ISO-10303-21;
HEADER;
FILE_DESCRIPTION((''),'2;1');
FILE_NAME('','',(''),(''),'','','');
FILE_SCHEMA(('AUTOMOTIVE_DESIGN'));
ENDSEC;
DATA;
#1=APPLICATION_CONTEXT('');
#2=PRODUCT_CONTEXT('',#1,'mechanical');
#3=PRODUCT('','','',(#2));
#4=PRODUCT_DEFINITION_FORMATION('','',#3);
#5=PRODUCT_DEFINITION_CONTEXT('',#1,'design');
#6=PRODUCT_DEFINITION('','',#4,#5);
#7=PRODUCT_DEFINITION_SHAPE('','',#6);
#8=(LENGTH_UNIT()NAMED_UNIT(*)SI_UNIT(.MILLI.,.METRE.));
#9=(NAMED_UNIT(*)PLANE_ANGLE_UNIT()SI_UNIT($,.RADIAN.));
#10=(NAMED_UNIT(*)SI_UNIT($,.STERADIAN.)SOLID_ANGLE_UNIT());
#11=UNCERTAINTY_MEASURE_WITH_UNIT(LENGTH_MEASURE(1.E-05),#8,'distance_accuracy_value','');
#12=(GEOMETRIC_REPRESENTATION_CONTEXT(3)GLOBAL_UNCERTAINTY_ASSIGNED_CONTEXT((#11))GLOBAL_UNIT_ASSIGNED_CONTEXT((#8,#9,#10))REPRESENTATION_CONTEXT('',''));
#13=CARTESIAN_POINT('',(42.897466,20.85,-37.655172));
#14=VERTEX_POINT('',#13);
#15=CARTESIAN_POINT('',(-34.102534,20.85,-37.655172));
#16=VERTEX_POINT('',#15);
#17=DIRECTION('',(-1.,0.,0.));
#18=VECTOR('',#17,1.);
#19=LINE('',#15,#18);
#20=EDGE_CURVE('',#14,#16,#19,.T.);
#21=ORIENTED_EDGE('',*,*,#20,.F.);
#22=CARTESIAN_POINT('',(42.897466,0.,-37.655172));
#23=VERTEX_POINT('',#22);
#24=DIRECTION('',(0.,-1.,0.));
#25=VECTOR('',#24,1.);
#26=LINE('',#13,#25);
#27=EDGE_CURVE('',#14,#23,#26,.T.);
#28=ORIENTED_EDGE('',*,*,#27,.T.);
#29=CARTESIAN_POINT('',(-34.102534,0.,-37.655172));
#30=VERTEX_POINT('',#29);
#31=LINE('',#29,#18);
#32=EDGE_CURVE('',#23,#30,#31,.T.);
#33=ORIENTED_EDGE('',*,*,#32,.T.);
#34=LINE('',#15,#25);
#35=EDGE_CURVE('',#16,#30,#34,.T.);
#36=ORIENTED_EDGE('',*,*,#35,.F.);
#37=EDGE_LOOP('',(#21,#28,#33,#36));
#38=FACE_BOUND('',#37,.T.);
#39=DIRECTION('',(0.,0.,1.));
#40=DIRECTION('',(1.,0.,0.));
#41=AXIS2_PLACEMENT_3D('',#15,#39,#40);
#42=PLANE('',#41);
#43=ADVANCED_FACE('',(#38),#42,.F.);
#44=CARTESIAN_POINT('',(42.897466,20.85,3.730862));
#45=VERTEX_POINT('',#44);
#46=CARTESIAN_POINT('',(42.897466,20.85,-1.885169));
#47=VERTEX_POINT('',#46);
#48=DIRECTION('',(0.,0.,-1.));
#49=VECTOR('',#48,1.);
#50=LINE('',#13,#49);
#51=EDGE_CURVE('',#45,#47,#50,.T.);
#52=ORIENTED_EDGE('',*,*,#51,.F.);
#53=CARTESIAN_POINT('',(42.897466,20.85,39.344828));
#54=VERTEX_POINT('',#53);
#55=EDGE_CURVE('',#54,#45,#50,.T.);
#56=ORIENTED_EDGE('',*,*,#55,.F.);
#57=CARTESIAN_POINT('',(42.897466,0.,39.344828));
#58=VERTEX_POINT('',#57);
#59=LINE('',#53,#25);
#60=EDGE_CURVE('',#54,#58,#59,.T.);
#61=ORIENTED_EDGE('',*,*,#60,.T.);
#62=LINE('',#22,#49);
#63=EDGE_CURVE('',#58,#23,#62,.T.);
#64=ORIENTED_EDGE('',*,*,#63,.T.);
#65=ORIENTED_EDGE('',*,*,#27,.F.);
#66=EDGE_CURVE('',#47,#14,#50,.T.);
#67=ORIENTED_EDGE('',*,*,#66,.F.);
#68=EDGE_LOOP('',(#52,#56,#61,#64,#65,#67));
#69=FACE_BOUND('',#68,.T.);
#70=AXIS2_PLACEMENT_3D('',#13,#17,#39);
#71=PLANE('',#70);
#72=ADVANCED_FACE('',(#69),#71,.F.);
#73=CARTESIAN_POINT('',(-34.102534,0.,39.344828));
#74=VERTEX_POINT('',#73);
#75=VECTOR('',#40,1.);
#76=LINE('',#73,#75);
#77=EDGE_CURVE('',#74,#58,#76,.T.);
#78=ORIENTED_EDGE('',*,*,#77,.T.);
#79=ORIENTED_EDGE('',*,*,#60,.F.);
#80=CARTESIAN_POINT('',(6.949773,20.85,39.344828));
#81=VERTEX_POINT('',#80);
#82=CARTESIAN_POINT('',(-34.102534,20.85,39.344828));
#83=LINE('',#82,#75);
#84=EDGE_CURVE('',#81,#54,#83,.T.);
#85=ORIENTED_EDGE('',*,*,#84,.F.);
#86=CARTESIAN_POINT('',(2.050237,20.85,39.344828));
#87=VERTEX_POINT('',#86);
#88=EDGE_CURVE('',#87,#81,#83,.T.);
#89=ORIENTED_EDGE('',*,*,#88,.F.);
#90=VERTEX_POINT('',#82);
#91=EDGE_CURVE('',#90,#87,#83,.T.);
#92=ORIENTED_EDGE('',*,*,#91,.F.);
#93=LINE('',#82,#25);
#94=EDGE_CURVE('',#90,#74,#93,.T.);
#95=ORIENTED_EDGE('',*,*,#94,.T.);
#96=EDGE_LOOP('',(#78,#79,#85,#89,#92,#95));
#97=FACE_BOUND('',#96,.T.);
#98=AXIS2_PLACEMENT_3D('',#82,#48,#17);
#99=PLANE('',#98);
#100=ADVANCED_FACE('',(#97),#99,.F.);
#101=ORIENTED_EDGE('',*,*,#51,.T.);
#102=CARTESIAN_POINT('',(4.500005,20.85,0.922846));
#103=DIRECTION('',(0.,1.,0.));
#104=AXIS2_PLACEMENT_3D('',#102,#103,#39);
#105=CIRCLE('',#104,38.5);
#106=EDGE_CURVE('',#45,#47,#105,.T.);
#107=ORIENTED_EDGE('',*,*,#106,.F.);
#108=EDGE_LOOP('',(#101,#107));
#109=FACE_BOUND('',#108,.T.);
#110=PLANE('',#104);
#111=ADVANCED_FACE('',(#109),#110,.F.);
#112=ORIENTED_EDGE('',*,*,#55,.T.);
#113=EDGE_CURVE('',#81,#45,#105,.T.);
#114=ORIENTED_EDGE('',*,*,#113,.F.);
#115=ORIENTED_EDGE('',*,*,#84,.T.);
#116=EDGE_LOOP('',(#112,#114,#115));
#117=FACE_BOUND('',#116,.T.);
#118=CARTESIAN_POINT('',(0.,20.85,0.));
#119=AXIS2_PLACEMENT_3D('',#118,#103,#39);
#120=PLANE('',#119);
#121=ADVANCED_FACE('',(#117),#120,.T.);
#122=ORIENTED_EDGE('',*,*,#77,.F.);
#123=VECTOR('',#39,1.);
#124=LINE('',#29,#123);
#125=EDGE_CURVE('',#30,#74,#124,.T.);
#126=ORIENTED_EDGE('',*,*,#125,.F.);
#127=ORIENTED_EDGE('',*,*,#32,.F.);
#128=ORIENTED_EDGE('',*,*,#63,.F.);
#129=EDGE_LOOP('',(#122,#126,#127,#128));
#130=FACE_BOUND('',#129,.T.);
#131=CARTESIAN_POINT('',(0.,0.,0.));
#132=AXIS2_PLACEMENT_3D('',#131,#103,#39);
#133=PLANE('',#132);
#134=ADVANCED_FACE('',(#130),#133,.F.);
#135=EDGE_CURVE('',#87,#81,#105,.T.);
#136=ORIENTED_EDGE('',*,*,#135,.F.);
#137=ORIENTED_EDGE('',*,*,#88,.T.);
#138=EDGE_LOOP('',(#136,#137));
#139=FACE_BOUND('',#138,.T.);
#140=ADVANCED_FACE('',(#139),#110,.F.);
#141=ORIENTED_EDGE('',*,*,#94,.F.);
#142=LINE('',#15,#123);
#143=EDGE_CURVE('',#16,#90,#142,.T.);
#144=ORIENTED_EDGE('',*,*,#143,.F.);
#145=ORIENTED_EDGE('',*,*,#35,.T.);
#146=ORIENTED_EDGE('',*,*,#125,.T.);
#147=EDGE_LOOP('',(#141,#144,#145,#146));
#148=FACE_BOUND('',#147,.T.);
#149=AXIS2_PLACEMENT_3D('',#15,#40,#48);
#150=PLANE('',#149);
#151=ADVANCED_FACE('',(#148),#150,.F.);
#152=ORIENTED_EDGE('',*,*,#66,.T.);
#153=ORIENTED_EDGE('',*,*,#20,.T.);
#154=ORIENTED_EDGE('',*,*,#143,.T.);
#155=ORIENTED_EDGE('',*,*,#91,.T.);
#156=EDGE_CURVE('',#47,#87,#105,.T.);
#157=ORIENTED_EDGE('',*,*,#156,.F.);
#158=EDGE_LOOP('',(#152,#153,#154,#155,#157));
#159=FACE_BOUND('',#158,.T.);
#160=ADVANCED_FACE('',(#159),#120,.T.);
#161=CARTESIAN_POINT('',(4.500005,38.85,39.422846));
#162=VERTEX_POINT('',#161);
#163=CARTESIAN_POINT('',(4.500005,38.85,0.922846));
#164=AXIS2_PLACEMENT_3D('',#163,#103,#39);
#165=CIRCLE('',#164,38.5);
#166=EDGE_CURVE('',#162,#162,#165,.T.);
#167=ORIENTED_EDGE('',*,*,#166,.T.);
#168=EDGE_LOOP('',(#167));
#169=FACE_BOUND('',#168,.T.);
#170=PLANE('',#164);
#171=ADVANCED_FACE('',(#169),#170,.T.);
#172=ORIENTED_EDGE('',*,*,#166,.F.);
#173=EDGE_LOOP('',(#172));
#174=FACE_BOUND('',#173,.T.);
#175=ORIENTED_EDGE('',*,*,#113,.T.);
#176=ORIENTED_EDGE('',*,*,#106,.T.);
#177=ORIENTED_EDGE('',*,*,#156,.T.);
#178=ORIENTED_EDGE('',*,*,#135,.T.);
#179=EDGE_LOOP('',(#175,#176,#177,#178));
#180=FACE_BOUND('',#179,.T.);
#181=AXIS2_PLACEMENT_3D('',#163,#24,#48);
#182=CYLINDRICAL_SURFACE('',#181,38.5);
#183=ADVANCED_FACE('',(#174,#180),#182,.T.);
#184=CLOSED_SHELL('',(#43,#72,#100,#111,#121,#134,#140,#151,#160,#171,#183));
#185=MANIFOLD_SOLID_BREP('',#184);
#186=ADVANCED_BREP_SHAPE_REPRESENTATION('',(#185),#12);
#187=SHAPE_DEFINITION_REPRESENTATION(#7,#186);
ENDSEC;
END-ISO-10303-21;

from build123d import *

# Parameters (mm, degrees)
SKETCH1_W           = 77
SKETCH1_H           = 77
BOSS_EXTRUDE1_DEPTH = 20.85
SKETCH3_R           = 38.5
BOSS_EXTRUDE2_DEPTH = 18


with BuildPart() as part:
    # Sketch1 → Boss-Extrude1 (new body)
    with BuildSketch(Plane(origin=(0, 0, 0), x_dir=(1, 0, 0), z_dir=(0, 1, 0))):
        with Locations((4.39746647, -0.844827586)):
            Rectangle(SKETCH1_W, SKETCH1_H)
    extrude(amount=BOSS_EXTRUDE1_DEPTH)

    # Sketch3 → Boss-Extrude2 (add)
    with BuildSketch(Plane(origin=(0, 20.85, 0), x_dir=(1, 0, 0), z_dir=(0, 1, 0))):
        with Locations(Location((4.500004963, -0.922846442, 0), (0, 0, 4.182608044))):
            Circle(SKETCH3_R)
    extrude(amount=BOSS_EXTRUDE2_DEPTH)


solid = part.part
